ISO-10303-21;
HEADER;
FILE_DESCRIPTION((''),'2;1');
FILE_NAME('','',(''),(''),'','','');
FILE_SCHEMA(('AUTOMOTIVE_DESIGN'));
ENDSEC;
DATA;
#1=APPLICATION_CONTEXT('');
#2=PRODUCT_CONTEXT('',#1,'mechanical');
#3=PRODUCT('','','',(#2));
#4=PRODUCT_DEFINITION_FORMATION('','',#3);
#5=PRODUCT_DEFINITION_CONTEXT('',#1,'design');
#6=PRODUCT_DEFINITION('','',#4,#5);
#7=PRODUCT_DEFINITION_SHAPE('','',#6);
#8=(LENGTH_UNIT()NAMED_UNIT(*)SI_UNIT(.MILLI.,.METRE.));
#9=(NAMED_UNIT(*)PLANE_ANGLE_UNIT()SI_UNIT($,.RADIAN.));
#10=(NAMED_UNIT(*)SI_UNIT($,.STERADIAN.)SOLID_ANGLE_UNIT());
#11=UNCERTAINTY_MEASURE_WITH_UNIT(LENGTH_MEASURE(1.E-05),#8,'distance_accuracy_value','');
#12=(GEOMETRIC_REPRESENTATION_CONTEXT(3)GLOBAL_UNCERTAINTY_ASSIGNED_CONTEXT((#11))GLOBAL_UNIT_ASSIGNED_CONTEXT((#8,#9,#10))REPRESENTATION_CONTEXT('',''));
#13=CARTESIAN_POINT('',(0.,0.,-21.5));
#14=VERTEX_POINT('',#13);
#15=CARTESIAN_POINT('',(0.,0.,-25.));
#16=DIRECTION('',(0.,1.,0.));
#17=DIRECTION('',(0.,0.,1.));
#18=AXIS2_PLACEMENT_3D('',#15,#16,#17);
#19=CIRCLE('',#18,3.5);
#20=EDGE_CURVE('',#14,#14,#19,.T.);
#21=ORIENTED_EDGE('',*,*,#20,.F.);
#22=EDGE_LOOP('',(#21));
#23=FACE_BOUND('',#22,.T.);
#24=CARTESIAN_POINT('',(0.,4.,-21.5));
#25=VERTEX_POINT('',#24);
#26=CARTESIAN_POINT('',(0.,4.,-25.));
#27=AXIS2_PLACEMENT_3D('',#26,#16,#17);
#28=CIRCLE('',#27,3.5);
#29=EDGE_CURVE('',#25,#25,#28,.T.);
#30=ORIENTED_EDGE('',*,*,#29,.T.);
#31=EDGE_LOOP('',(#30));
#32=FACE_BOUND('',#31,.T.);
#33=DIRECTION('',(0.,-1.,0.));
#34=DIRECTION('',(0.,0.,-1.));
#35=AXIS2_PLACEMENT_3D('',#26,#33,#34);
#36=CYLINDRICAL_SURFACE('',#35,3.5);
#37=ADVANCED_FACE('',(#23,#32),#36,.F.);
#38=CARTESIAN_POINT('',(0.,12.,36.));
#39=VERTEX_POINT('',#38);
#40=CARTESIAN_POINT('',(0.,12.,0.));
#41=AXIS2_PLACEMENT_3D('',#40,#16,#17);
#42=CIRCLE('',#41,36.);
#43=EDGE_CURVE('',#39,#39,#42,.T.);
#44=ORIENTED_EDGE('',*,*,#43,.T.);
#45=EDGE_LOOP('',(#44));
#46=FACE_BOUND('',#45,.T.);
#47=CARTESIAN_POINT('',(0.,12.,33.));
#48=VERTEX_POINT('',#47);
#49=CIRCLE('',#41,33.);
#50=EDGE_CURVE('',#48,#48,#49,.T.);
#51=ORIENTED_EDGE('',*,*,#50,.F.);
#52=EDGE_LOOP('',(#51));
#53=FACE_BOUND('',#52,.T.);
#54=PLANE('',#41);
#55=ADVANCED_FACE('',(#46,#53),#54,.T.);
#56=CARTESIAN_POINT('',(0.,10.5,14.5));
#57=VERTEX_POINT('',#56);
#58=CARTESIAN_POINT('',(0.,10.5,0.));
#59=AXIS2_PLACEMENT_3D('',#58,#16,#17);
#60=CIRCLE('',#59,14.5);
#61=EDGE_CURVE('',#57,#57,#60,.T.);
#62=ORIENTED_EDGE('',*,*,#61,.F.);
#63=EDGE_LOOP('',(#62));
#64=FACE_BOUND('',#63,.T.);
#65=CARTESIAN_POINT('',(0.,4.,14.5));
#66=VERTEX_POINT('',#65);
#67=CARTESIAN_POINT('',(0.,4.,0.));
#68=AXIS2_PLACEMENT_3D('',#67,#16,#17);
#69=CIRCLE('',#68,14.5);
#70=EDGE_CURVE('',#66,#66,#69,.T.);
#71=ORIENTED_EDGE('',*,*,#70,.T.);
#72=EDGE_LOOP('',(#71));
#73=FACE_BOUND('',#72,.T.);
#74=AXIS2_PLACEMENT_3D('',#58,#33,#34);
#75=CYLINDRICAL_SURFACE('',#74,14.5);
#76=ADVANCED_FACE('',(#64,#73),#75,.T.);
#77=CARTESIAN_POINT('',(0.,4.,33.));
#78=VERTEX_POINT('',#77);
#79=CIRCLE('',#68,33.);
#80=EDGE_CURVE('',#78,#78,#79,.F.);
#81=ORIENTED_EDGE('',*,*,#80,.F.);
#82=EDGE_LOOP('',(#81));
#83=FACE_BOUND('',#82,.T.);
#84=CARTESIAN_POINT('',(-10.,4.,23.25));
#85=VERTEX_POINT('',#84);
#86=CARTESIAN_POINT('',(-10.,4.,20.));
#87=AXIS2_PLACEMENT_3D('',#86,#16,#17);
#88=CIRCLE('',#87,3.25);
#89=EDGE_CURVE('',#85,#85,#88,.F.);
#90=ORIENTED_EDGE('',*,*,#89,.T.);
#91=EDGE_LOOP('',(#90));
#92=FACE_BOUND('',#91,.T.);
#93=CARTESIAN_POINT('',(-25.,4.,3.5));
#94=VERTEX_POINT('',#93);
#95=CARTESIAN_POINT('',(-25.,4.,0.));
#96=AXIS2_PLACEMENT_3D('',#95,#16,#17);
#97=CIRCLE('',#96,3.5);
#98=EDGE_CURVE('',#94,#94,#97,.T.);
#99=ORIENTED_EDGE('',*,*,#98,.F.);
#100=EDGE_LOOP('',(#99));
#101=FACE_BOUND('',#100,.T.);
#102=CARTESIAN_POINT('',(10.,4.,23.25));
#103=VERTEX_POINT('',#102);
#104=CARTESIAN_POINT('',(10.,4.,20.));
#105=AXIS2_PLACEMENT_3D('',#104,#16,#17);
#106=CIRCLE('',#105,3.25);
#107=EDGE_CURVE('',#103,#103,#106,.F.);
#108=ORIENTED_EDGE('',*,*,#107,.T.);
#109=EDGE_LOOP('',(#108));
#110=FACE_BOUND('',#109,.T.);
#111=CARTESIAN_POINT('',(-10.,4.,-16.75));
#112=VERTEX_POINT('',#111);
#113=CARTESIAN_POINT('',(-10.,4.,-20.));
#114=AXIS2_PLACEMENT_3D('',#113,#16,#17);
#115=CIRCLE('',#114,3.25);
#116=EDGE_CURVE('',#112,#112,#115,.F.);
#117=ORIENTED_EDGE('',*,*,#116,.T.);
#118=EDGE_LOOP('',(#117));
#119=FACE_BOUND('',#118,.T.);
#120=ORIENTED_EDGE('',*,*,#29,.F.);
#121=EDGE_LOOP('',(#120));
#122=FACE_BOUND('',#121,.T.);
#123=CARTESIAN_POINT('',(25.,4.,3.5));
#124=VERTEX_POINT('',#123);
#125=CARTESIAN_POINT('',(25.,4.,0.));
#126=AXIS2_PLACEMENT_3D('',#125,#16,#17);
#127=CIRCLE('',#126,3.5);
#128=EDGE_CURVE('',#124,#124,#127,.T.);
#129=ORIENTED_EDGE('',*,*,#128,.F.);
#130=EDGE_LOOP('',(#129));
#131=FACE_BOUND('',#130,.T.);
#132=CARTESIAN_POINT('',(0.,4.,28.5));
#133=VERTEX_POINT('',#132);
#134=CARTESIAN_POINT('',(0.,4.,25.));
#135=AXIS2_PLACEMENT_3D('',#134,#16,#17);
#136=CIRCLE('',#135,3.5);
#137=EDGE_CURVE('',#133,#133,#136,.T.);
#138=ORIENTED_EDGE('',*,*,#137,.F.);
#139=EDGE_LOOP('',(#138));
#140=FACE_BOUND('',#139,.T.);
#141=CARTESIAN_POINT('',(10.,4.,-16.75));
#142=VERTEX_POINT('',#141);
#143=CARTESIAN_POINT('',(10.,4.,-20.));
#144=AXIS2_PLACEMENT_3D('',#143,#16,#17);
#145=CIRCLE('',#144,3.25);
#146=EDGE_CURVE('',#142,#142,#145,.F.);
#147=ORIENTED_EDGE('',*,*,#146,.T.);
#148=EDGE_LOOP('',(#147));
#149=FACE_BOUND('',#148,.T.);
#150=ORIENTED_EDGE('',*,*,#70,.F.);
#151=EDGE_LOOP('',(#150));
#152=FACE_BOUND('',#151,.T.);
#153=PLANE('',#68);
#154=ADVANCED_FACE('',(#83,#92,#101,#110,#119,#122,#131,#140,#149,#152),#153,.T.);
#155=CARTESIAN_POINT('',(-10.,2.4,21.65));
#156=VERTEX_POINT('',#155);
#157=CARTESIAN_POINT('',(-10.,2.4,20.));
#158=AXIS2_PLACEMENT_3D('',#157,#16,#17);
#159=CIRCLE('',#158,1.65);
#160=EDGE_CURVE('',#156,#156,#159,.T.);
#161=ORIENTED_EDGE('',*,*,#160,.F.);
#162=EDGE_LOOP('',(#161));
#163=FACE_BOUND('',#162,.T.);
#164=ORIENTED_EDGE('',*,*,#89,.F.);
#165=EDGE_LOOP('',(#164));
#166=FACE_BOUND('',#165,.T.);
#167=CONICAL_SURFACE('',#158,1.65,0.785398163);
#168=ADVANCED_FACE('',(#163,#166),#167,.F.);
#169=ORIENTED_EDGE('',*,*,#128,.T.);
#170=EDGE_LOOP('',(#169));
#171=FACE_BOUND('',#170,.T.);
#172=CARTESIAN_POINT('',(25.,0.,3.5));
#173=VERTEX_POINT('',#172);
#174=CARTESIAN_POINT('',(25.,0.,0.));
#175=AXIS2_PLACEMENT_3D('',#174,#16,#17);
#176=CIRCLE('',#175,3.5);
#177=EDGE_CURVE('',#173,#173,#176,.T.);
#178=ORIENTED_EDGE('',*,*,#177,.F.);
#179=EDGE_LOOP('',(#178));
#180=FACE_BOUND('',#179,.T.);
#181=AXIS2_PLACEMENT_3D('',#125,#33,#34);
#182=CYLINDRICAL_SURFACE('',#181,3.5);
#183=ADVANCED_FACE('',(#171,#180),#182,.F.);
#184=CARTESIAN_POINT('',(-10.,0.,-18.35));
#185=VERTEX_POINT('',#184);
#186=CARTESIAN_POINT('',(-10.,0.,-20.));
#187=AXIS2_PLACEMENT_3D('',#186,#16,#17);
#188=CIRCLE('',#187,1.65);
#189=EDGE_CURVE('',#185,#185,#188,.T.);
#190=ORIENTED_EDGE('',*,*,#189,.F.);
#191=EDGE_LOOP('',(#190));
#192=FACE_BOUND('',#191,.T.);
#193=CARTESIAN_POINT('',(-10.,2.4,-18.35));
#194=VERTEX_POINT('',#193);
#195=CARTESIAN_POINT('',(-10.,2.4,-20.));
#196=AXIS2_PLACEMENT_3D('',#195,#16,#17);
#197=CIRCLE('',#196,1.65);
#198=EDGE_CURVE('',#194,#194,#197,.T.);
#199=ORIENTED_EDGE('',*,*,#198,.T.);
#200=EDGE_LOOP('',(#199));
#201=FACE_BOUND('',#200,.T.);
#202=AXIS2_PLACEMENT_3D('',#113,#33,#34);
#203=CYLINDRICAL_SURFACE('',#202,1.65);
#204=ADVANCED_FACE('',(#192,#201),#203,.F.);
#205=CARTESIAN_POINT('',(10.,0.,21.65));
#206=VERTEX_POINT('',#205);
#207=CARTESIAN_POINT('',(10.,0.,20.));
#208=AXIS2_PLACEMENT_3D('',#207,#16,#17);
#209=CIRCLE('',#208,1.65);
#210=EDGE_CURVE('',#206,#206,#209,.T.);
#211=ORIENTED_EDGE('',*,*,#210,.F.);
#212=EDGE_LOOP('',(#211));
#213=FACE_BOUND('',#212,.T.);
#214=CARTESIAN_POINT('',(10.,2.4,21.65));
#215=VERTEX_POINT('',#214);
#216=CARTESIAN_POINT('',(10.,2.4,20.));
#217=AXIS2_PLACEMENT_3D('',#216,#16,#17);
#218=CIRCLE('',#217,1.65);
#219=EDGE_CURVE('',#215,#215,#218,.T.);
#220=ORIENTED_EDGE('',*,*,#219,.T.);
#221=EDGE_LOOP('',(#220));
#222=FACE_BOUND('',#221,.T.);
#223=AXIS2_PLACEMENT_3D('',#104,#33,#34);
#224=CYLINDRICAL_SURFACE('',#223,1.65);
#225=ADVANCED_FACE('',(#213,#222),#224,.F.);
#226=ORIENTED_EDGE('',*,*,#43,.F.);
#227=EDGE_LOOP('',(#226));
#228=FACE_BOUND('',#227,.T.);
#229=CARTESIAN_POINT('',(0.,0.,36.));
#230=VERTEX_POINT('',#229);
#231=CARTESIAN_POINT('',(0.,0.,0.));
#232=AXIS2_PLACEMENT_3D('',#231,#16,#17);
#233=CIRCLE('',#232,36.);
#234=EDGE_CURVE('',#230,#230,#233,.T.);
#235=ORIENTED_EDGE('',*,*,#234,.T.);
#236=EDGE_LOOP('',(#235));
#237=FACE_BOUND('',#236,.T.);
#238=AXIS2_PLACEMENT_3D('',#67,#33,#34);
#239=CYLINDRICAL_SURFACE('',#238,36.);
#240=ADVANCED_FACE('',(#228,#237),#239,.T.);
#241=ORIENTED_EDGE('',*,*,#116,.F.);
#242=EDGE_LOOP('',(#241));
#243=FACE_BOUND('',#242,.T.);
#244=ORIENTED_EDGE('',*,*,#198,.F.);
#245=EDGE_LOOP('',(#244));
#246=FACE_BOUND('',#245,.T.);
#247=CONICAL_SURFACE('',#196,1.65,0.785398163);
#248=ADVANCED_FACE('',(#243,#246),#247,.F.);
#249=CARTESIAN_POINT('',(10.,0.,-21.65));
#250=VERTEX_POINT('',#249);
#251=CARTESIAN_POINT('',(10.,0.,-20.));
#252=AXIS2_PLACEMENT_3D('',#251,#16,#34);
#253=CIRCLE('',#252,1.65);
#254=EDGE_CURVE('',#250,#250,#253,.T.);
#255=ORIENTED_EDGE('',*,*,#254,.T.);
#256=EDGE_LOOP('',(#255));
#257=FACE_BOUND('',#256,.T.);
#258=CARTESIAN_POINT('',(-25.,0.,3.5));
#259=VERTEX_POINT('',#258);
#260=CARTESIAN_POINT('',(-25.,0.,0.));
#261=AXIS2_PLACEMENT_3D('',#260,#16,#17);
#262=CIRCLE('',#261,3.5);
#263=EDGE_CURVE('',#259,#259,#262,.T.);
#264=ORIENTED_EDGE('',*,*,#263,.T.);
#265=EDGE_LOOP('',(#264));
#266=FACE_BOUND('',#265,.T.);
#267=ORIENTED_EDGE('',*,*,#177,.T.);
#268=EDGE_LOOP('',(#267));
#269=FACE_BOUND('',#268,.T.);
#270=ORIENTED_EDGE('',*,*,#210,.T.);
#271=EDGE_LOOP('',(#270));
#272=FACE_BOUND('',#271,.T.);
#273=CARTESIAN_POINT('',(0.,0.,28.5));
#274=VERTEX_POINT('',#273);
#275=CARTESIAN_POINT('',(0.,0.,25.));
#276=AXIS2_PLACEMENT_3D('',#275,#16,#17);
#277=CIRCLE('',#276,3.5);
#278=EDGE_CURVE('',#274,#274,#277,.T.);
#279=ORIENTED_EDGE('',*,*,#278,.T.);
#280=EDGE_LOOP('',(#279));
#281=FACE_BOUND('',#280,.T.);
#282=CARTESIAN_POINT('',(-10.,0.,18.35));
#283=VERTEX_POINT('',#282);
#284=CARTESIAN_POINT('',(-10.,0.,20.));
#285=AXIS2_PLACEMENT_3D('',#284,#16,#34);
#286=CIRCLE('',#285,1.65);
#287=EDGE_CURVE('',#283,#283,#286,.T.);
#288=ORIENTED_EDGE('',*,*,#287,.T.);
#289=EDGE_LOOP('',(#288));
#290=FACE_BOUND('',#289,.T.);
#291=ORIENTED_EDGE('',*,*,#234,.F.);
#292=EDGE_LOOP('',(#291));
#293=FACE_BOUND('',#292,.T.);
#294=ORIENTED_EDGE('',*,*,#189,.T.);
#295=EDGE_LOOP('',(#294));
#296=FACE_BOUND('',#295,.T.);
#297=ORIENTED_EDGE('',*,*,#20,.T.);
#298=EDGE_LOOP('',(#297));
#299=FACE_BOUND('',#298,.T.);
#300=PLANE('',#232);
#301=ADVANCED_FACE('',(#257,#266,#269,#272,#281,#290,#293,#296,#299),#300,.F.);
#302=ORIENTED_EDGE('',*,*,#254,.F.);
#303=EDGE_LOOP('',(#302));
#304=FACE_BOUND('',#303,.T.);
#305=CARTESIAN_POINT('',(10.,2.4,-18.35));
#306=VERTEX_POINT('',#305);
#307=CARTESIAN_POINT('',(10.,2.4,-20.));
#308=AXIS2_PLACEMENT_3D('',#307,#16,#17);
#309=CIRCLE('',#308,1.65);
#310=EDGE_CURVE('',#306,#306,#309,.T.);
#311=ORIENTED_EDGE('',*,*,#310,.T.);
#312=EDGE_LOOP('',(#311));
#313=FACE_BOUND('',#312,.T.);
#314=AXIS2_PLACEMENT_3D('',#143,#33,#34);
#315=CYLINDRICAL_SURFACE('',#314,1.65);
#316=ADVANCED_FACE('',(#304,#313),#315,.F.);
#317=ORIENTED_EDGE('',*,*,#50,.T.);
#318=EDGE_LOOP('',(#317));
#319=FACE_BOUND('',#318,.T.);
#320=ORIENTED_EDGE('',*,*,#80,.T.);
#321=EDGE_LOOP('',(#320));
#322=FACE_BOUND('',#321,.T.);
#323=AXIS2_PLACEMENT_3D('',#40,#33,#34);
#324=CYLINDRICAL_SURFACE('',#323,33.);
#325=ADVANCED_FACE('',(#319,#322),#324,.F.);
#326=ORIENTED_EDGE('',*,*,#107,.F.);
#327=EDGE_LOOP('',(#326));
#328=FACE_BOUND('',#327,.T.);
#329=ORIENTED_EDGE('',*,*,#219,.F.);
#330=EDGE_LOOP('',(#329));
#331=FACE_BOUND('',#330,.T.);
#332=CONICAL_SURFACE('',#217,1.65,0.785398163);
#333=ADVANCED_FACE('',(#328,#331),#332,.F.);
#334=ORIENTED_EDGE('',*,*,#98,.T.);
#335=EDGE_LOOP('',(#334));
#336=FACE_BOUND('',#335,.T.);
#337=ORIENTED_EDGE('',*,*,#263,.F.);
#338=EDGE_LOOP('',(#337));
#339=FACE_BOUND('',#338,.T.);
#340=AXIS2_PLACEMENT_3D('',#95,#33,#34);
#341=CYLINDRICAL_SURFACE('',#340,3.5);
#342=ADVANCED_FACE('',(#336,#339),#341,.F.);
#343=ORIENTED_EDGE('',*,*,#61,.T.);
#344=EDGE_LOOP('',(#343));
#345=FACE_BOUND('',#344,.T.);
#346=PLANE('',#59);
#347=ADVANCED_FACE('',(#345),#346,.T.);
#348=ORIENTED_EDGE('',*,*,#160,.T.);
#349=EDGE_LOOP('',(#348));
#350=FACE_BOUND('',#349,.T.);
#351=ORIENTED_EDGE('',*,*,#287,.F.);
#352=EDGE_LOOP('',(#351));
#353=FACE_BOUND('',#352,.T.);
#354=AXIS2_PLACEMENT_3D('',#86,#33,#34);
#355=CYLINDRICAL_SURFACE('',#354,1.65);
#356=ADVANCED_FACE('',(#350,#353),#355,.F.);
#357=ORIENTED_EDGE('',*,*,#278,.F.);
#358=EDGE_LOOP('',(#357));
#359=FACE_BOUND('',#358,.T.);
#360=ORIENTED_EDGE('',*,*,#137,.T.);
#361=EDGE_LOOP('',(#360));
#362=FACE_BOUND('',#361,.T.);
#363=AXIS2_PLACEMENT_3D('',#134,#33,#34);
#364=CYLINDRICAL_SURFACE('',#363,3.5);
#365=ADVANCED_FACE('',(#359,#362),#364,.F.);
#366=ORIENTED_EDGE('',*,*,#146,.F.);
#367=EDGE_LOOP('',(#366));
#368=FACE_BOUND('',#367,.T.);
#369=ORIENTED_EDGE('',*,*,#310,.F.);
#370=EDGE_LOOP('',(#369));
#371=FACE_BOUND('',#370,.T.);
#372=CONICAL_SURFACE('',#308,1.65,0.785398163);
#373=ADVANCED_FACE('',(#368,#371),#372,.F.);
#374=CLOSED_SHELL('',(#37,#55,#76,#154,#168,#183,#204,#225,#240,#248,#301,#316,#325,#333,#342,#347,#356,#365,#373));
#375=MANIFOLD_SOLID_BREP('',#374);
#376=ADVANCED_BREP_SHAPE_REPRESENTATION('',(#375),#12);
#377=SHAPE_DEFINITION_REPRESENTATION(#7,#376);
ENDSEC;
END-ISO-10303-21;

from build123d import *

# Parameters (mm, degrees)
SKETCH1_R           = 36
SKETCH1_R_2         = 3.5
SKETCH1_R_3         = 1.65
BOSS_EXTRUDE1_DEPTH = 4
SKETCH2_R           = 14.5
BOSS_EXTRUDE2_DEPTH = 6.5
SKETCH3_R           = 36
SKETCH3_R_2         = 33
BOSS_EXTRUDE3_DEPTH = 8
CHAMFER1_SIZE       = 1.6


with BuildPart() as part:
    # Sketch1 → Boss-Extrude1 (new body)
    with BuildSketch(Plane(origin=(0, 0, 0), x_dir=(1, 0, 0), z_dir=(0, 1, 0))):
        Circle(SKETCH1_R)
        with Locations((25, 0)):
            Circle(SKETCH1_R_2, mode=Mode.SUBTRACT)
        with Locations((0, -25)):
            Circle(SKETCH1_R_2, mode=Mode.SUBTRACT)
        with Locations((-10, 20)):
            Circle(SKETCH1_R_3, mode=Mode.SUBTRACT)
        with Locations((10, 20)):
            Circle(SKETCH1_R_3, mode=Mode.SUBTRACT)
        with Locations((10, -20)):
            Circle(SKETCH1_R_3, mode=Mode.SUBTRACT)
        with Locations((-10, -20)):
            Circle(SKETCH1_R_3, mode=Mode.SUBTRACT)
        with Locations((0, 25)):
            Circle(SKETCH1_R_2, mode=Mode.SUBTRACT)
        with Locations((-25, 0)):
            Circle(SKETCH1_R_2, mode=Mode.SUBTRACT)
    extrude(amount=BOSS_EXTRUDE1_DEPTH)

    # Sketch2 → Boss-Extrude2 (add)
    with BuildSketch(Plane(origin=(0, 4, 0), x_dir=(1, 0, 0), z_dir=(0, 1, 0))):
        Circle(SKETCH2_R)
    extrude(amount=BOSS_EXTRUDE2_DEPTH)

    # Sketch3 → Boss-Extrude3 (add)
    with BuildSketch(Plane(origin=(0, 4, 0), x_dir=(1, 0, 0), z_dir=(0, 1, 0))):
        Circle(SKETCH3_R)
        Circle(SKETCH3_R_2, mode=Mode.SUBTRACT)
    extrude(amount=BOSS_EXTRUDE3_DEPTH)

    # Chamfer1
    chamfer1_edges = [part.edges().sort_by_distance(p)[0] for p in [
        (8.35, 4, -20),
        (8.35, 4, 20),
        (-11.65, 4, 20),
        (-11.65, 4, -20),
    ]]
    chamfer(chamfer1_edges, length=CHAMFER1_SIZE)


solid = part.part
